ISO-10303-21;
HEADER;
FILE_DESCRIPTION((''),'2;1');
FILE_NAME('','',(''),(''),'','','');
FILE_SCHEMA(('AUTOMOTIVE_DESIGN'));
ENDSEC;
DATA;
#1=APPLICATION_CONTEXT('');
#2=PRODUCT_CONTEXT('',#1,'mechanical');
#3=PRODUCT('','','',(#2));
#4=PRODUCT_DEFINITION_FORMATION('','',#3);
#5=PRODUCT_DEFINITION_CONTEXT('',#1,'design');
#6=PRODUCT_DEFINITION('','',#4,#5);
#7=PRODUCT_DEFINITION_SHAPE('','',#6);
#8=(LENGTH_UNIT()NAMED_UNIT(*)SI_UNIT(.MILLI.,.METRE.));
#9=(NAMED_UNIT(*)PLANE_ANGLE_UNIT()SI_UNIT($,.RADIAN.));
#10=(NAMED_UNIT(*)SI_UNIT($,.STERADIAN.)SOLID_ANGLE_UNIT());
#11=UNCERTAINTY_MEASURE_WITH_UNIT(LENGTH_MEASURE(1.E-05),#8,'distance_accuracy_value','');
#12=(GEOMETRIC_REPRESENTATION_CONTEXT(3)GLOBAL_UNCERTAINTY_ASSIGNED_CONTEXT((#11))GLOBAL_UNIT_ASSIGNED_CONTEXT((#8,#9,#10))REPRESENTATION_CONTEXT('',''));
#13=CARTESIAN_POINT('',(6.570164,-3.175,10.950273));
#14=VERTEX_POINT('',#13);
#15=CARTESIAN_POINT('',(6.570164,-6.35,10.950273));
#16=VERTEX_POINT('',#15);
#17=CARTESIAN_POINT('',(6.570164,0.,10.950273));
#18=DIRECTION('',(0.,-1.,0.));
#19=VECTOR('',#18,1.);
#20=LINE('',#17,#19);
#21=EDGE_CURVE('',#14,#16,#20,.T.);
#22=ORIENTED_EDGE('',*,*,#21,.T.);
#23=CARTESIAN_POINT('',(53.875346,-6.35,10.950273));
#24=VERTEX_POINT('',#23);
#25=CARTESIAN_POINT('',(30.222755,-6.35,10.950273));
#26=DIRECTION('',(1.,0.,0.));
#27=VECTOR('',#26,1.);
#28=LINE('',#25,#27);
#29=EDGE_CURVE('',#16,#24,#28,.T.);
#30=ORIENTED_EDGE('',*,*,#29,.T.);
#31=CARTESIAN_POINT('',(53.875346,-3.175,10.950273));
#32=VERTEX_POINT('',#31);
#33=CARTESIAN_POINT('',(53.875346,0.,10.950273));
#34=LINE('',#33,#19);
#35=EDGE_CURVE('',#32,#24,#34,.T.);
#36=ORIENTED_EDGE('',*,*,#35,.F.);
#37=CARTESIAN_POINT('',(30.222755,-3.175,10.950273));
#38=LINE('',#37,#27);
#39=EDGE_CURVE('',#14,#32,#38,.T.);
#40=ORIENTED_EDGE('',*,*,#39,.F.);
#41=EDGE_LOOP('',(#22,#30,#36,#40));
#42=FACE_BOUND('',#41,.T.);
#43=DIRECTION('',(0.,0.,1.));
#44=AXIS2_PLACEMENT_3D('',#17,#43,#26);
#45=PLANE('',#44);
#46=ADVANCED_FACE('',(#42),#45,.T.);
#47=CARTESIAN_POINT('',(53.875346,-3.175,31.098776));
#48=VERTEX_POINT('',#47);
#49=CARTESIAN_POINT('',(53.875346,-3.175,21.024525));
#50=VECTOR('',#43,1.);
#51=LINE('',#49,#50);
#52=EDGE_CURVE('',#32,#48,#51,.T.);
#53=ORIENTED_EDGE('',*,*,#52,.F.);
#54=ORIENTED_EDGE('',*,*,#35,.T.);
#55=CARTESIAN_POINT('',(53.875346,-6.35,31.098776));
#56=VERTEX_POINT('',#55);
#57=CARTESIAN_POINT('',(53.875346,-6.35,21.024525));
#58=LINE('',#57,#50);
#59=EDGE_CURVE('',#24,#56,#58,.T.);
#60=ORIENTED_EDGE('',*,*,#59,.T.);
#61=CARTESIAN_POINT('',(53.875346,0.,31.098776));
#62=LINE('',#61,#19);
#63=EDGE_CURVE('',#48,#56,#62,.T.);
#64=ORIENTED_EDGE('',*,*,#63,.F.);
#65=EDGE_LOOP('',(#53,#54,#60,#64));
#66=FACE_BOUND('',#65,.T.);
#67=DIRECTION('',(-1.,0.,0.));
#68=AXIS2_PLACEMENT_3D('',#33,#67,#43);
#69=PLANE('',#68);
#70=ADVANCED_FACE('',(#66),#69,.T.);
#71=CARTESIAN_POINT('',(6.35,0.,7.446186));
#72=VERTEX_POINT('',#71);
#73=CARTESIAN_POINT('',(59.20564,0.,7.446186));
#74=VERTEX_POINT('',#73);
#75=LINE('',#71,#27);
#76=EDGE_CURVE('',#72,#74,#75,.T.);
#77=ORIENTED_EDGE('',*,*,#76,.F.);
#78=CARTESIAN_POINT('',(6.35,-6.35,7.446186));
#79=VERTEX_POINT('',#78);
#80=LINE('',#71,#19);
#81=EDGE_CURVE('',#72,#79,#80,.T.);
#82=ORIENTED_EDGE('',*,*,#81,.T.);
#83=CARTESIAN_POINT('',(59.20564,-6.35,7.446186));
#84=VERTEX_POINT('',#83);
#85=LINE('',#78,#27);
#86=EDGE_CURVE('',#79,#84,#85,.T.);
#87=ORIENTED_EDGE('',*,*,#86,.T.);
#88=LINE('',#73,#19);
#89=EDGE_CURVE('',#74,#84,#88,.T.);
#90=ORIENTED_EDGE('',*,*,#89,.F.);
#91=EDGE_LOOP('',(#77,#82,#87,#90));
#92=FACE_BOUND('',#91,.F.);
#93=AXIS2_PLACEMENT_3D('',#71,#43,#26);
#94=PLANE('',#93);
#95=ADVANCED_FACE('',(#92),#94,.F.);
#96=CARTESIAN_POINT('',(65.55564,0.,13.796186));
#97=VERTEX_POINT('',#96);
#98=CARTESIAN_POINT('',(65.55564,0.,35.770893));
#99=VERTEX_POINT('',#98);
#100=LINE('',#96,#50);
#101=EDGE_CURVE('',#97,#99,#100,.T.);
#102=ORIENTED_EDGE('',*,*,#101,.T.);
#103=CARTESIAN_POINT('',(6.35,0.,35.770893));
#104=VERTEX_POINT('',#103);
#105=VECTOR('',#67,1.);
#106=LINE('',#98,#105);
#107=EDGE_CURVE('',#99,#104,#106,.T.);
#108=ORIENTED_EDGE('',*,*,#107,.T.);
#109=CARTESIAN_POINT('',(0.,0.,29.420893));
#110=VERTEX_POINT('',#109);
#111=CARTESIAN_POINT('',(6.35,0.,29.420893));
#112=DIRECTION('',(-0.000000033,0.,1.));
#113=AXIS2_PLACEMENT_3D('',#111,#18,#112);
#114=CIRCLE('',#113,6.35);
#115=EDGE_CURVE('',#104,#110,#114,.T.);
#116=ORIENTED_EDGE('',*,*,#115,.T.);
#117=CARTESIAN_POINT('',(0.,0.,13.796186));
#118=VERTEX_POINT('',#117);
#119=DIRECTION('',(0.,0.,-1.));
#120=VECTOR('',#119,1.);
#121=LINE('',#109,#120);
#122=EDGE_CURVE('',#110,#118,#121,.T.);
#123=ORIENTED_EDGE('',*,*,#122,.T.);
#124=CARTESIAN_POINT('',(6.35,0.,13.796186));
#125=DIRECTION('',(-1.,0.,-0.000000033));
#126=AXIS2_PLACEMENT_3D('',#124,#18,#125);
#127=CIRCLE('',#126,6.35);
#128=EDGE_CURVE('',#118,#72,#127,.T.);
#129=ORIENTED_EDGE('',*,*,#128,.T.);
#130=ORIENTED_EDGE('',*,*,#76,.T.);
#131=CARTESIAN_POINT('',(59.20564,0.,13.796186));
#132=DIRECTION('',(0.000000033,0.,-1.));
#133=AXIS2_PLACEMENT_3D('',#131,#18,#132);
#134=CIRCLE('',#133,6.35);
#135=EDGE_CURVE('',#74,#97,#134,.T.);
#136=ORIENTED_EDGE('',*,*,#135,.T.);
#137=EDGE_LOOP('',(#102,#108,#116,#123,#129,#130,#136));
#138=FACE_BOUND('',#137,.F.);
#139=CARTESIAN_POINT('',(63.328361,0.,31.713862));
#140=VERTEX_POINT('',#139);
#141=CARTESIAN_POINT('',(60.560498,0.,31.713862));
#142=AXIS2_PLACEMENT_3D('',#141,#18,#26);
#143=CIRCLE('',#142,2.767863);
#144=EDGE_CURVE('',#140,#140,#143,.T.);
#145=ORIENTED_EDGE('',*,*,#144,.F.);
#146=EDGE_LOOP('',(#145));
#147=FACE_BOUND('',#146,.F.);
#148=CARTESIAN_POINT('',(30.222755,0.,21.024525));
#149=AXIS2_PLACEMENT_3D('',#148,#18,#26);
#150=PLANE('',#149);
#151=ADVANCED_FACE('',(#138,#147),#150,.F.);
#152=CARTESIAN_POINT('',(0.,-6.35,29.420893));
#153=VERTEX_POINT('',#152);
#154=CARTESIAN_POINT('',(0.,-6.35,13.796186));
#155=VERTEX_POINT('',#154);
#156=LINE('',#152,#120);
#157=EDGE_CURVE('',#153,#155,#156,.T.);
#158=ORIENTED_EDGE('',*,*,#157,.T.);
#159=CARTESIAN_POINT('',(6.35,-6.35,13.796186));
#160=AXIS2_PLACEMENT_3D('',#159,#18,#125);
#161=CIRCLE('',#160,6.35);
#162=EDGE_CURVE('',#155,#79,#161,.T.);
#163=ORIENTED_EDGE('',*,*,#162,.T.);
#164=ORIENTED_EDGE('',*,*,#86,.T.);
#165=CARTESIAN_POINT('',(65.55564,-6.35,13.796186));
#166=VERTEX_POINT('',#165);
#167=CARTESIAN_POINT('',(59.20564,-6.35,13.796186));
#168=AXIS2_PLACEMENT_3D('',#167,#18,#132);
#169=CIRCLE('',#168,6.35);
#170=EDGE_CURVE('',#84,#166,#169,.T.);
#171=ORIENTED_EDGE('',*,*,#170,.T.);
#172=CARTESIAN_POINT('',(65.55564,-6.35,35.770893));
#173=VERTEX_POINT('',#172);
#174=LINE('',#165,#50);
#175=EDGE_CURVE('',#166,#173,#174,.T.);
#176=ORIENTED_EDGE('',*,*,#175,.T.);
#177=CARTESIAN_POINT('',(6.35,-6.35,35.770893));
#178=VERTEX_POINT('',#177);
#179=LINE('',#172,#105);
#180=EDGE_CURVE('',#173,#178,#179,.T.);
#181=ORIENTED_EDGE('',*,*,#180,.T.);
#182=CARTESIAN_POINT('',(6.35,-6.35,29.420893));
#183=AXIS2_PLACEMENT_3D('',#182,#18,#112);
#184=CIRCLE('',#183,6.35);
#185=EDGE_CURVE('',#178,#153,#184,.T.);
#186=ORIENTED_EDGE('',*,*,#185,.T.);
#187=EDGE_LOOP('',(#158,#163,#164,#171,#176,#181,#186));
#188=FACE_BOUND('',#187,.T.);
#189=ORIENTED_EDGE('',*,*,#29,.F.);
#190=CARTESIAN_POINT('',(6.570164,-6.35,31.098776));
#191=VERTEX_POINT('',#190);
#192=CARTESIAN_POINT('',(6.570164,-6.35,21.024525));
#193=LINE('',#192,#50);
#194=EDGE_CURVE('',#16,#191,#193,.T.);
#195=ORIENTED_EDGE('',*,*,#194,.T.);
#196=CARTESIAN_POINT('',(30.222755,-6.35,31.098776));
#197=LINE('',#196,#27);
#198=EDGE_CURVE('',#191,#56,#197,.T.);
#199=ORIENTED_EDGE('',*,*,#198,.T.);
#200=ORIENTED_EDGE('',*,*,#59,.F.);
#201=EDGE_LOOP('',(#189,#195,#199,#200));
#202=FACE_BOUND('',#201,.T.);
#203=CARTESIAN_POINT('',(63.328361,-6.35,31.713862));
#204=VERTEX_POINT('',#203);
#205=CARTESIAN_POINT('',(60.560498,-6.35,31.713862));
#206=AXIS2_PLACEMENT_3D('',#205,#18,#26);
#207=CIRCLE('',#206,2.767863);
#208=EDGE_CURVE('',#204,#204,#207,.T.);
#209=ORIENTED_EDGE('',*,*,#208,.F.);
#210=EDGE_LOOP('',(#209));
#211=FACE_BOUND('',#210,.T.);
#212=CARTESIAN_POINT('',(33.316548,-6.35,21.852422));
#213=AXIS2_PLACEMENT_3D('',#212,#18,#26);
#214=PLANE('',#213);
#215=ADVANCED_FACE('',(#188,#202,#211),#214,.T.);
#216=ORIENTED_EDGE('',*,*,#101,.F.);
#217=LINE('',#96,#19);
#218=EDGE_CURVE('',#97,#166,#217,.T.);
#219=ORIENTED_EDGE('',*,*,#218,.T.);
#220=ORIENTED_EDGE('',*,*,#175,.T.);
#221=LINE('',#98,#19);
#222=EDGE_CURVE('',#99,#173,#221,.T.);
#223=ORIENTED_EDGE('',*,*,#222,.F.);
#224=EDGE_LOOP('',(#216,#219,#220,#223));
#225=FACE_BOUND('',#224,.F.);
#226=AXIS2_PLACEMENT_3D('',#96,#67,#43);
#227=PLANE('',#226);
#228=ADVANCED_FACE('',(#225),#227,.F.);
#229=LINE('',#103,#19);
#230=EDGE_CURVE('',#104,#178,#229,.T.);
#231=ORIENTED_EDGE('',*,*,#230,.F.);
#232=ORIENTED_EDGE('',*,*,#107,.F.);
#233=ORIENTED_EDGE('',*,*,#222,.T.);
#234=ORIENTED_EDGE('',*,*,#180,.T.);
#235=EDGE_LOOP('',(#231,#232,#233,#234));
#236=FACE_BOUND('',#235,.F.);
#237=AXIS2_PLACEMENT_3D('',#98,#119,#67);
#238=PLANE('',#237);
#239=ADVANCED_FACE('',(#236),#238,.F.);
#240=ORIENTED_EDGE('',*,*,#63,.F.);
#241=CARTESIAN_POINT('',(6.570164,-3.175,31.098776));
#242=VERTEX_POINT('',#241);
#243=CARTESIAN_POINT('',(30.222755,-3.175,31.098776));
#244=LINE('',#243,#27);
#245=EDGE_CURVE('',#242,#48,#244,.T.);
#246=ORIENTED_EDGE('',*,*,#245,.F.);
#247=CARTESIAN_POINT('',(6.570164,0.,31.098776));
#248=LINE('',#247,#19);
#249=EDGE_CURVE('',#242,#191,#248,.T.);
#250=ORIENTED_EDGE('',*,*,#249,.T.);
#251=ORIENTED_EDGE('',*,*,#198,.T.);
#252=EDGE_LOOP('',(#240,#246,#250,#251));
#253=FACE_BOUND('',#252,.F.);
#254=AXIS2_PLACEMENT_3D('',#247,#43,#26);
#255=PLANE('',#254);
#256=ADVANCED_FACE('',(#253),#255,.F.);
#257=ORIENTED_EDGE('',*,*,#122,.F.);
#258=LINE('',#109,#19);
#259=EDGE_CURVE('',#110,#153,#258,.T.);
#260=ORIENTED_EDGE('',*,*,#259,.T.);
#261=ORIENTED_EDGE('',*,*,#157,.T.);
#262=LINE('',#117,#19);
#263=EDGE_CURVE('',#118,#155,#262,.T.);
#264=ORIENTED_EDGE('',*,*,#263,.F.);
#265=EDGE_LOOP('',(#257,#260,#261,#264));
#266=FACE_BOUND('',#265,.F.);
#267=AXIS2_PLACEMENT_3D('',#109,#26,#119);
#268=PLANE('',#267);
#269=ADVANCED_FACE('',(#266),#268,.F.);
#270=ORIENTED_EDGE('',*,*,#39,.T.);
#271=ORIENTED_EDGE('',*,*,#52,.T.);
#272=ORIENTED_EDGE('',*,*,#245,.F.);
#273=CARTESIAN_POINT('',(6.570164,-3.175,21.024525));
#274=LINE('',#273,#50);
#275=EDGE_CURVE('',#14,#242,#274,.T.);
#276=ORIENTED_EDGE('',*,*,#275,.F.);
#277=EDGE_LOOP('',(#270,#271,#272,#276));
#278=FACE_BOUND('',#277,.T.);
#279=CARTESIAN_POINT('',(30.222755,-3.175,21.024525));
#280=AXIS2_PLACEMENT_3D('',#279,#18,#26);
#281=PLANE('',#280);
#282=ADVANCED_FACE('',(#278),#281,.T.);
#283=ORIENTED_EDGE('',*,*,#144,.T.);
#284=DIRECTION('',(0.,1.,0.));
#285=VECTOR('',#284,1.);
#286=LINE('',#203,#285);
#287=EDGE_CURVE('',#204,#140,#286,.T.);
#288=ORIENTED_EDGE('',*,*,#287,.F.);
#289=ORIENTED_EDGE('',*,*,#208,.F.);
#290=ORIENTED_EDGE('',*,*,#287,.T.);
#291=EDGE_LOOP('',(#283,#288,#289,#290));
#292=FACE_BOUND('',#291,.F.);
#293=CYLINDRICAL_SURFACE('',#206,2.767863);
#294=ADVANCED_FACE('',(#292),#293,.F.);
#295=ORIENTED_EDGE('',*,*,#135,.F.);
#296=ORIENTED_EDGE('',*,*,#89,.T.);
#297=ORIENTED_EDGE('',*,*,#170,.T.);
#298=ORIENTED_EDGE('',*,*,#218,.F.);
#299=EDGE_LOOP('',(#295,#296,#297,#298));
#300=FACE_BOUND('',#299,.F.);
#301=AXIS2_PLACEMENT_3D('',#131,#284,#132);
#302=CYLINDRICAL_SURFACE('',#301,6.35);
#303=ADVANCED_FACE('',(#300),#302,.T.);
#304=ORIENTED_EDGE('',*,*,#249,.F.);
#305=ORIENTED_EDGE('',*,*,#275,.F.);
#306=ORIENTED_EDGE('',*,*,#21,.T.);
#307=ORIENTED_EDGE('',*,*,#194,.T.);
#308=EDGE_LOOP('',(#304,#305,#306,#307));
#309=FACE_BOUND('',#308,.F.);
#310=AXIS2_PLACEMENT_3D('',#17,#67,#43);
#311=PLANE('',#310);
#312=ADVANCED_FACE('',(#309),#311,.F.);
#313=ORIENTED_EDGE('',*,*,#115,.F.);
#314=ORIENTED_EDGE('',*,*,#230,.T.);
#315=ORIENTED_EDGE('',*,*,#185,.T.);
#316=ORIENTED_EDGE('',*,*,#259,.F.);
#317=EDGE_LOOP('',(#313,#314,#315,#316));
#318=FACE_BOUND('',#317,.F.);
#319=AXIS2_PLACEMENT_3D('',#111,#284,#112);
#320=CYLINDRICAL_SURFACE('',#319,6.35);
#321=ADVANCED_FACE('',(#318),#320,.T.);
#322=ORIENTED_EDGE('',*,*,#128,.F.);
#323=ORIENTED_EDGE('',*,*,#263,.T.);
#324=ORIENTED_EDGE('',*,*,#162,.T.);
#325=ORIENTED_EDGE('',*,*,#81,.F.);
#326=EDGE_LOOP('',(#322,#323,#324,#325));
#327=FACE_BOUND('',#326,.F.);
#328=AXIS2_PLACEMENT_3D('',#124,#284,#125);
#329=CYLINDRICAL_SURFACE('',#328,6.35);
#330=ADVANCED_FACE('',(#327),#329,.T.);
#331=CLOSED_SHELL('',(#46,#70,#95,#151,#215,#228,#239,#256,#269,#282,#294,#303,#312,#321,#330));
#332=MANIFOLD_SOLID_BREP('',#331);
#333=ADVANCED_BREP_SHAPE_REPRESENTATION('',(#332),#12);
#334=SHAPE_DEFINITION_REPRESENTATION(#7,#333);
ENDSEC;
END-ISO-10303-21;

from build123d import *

# Parameters (mm, degrees)
F0_W     = 47.305181
F0_H     = 20.148503
F1_DEPTH = 6.35
F2_DEPTH = 3.175
F3_R     = 2.767863
F4_DEPTH = 25.4


with BuildPart() as f1:
    # F0 (on Front) → F1 (new body)
    with BuildSketch(Plane.XZ):
        with BuildLine():
            Line((65.55564, 35.770893), (6.35, 35.770893))
            ThreePointArc((6.35, 35.770893), (1.859872, 33.911021), (0, 29.420893))
            Line((0, 29.420893), (0, 13.796186))
            ThreePointArc((0, 13.796186), (1.859872, 9.306058), (6.35, 7.446186))
            Line((6.35, 7.446186), (59.20564, 7.446186))
            ThreePointArc((59.20564, 7.446186), (63.695768, 9.306058), (65.55564, 13.796186))
            Line((65.55564, 13.796186), (65.55564, 35.770893))
        make_face()
        with Locations((30.222755, 21.024525)):
            Rectangle(F0_W, F0_H, mode=Mode.SUBTRACT)
    extrude(amount=F1_DEPTH)

    # F0 (on Front) → F2 (join)
    with BuildSketch(Plane.XZ):
        with Locations((30.222755, 21.024525)):
            Rectangle(F0_W, F0_H)
    extrude(amount=F2_DEPTH)

    # F3 (on face) → F4 (cut)
    with BuildSketch(Plane.XZ.offset(6.35)):
        with Locations((60.560498, 31.713862)):
            Circle(F3_R)
    extrude(amount=-F4_DEPTH, mode=Mode.SUBTRACT)


solid = f1.part
